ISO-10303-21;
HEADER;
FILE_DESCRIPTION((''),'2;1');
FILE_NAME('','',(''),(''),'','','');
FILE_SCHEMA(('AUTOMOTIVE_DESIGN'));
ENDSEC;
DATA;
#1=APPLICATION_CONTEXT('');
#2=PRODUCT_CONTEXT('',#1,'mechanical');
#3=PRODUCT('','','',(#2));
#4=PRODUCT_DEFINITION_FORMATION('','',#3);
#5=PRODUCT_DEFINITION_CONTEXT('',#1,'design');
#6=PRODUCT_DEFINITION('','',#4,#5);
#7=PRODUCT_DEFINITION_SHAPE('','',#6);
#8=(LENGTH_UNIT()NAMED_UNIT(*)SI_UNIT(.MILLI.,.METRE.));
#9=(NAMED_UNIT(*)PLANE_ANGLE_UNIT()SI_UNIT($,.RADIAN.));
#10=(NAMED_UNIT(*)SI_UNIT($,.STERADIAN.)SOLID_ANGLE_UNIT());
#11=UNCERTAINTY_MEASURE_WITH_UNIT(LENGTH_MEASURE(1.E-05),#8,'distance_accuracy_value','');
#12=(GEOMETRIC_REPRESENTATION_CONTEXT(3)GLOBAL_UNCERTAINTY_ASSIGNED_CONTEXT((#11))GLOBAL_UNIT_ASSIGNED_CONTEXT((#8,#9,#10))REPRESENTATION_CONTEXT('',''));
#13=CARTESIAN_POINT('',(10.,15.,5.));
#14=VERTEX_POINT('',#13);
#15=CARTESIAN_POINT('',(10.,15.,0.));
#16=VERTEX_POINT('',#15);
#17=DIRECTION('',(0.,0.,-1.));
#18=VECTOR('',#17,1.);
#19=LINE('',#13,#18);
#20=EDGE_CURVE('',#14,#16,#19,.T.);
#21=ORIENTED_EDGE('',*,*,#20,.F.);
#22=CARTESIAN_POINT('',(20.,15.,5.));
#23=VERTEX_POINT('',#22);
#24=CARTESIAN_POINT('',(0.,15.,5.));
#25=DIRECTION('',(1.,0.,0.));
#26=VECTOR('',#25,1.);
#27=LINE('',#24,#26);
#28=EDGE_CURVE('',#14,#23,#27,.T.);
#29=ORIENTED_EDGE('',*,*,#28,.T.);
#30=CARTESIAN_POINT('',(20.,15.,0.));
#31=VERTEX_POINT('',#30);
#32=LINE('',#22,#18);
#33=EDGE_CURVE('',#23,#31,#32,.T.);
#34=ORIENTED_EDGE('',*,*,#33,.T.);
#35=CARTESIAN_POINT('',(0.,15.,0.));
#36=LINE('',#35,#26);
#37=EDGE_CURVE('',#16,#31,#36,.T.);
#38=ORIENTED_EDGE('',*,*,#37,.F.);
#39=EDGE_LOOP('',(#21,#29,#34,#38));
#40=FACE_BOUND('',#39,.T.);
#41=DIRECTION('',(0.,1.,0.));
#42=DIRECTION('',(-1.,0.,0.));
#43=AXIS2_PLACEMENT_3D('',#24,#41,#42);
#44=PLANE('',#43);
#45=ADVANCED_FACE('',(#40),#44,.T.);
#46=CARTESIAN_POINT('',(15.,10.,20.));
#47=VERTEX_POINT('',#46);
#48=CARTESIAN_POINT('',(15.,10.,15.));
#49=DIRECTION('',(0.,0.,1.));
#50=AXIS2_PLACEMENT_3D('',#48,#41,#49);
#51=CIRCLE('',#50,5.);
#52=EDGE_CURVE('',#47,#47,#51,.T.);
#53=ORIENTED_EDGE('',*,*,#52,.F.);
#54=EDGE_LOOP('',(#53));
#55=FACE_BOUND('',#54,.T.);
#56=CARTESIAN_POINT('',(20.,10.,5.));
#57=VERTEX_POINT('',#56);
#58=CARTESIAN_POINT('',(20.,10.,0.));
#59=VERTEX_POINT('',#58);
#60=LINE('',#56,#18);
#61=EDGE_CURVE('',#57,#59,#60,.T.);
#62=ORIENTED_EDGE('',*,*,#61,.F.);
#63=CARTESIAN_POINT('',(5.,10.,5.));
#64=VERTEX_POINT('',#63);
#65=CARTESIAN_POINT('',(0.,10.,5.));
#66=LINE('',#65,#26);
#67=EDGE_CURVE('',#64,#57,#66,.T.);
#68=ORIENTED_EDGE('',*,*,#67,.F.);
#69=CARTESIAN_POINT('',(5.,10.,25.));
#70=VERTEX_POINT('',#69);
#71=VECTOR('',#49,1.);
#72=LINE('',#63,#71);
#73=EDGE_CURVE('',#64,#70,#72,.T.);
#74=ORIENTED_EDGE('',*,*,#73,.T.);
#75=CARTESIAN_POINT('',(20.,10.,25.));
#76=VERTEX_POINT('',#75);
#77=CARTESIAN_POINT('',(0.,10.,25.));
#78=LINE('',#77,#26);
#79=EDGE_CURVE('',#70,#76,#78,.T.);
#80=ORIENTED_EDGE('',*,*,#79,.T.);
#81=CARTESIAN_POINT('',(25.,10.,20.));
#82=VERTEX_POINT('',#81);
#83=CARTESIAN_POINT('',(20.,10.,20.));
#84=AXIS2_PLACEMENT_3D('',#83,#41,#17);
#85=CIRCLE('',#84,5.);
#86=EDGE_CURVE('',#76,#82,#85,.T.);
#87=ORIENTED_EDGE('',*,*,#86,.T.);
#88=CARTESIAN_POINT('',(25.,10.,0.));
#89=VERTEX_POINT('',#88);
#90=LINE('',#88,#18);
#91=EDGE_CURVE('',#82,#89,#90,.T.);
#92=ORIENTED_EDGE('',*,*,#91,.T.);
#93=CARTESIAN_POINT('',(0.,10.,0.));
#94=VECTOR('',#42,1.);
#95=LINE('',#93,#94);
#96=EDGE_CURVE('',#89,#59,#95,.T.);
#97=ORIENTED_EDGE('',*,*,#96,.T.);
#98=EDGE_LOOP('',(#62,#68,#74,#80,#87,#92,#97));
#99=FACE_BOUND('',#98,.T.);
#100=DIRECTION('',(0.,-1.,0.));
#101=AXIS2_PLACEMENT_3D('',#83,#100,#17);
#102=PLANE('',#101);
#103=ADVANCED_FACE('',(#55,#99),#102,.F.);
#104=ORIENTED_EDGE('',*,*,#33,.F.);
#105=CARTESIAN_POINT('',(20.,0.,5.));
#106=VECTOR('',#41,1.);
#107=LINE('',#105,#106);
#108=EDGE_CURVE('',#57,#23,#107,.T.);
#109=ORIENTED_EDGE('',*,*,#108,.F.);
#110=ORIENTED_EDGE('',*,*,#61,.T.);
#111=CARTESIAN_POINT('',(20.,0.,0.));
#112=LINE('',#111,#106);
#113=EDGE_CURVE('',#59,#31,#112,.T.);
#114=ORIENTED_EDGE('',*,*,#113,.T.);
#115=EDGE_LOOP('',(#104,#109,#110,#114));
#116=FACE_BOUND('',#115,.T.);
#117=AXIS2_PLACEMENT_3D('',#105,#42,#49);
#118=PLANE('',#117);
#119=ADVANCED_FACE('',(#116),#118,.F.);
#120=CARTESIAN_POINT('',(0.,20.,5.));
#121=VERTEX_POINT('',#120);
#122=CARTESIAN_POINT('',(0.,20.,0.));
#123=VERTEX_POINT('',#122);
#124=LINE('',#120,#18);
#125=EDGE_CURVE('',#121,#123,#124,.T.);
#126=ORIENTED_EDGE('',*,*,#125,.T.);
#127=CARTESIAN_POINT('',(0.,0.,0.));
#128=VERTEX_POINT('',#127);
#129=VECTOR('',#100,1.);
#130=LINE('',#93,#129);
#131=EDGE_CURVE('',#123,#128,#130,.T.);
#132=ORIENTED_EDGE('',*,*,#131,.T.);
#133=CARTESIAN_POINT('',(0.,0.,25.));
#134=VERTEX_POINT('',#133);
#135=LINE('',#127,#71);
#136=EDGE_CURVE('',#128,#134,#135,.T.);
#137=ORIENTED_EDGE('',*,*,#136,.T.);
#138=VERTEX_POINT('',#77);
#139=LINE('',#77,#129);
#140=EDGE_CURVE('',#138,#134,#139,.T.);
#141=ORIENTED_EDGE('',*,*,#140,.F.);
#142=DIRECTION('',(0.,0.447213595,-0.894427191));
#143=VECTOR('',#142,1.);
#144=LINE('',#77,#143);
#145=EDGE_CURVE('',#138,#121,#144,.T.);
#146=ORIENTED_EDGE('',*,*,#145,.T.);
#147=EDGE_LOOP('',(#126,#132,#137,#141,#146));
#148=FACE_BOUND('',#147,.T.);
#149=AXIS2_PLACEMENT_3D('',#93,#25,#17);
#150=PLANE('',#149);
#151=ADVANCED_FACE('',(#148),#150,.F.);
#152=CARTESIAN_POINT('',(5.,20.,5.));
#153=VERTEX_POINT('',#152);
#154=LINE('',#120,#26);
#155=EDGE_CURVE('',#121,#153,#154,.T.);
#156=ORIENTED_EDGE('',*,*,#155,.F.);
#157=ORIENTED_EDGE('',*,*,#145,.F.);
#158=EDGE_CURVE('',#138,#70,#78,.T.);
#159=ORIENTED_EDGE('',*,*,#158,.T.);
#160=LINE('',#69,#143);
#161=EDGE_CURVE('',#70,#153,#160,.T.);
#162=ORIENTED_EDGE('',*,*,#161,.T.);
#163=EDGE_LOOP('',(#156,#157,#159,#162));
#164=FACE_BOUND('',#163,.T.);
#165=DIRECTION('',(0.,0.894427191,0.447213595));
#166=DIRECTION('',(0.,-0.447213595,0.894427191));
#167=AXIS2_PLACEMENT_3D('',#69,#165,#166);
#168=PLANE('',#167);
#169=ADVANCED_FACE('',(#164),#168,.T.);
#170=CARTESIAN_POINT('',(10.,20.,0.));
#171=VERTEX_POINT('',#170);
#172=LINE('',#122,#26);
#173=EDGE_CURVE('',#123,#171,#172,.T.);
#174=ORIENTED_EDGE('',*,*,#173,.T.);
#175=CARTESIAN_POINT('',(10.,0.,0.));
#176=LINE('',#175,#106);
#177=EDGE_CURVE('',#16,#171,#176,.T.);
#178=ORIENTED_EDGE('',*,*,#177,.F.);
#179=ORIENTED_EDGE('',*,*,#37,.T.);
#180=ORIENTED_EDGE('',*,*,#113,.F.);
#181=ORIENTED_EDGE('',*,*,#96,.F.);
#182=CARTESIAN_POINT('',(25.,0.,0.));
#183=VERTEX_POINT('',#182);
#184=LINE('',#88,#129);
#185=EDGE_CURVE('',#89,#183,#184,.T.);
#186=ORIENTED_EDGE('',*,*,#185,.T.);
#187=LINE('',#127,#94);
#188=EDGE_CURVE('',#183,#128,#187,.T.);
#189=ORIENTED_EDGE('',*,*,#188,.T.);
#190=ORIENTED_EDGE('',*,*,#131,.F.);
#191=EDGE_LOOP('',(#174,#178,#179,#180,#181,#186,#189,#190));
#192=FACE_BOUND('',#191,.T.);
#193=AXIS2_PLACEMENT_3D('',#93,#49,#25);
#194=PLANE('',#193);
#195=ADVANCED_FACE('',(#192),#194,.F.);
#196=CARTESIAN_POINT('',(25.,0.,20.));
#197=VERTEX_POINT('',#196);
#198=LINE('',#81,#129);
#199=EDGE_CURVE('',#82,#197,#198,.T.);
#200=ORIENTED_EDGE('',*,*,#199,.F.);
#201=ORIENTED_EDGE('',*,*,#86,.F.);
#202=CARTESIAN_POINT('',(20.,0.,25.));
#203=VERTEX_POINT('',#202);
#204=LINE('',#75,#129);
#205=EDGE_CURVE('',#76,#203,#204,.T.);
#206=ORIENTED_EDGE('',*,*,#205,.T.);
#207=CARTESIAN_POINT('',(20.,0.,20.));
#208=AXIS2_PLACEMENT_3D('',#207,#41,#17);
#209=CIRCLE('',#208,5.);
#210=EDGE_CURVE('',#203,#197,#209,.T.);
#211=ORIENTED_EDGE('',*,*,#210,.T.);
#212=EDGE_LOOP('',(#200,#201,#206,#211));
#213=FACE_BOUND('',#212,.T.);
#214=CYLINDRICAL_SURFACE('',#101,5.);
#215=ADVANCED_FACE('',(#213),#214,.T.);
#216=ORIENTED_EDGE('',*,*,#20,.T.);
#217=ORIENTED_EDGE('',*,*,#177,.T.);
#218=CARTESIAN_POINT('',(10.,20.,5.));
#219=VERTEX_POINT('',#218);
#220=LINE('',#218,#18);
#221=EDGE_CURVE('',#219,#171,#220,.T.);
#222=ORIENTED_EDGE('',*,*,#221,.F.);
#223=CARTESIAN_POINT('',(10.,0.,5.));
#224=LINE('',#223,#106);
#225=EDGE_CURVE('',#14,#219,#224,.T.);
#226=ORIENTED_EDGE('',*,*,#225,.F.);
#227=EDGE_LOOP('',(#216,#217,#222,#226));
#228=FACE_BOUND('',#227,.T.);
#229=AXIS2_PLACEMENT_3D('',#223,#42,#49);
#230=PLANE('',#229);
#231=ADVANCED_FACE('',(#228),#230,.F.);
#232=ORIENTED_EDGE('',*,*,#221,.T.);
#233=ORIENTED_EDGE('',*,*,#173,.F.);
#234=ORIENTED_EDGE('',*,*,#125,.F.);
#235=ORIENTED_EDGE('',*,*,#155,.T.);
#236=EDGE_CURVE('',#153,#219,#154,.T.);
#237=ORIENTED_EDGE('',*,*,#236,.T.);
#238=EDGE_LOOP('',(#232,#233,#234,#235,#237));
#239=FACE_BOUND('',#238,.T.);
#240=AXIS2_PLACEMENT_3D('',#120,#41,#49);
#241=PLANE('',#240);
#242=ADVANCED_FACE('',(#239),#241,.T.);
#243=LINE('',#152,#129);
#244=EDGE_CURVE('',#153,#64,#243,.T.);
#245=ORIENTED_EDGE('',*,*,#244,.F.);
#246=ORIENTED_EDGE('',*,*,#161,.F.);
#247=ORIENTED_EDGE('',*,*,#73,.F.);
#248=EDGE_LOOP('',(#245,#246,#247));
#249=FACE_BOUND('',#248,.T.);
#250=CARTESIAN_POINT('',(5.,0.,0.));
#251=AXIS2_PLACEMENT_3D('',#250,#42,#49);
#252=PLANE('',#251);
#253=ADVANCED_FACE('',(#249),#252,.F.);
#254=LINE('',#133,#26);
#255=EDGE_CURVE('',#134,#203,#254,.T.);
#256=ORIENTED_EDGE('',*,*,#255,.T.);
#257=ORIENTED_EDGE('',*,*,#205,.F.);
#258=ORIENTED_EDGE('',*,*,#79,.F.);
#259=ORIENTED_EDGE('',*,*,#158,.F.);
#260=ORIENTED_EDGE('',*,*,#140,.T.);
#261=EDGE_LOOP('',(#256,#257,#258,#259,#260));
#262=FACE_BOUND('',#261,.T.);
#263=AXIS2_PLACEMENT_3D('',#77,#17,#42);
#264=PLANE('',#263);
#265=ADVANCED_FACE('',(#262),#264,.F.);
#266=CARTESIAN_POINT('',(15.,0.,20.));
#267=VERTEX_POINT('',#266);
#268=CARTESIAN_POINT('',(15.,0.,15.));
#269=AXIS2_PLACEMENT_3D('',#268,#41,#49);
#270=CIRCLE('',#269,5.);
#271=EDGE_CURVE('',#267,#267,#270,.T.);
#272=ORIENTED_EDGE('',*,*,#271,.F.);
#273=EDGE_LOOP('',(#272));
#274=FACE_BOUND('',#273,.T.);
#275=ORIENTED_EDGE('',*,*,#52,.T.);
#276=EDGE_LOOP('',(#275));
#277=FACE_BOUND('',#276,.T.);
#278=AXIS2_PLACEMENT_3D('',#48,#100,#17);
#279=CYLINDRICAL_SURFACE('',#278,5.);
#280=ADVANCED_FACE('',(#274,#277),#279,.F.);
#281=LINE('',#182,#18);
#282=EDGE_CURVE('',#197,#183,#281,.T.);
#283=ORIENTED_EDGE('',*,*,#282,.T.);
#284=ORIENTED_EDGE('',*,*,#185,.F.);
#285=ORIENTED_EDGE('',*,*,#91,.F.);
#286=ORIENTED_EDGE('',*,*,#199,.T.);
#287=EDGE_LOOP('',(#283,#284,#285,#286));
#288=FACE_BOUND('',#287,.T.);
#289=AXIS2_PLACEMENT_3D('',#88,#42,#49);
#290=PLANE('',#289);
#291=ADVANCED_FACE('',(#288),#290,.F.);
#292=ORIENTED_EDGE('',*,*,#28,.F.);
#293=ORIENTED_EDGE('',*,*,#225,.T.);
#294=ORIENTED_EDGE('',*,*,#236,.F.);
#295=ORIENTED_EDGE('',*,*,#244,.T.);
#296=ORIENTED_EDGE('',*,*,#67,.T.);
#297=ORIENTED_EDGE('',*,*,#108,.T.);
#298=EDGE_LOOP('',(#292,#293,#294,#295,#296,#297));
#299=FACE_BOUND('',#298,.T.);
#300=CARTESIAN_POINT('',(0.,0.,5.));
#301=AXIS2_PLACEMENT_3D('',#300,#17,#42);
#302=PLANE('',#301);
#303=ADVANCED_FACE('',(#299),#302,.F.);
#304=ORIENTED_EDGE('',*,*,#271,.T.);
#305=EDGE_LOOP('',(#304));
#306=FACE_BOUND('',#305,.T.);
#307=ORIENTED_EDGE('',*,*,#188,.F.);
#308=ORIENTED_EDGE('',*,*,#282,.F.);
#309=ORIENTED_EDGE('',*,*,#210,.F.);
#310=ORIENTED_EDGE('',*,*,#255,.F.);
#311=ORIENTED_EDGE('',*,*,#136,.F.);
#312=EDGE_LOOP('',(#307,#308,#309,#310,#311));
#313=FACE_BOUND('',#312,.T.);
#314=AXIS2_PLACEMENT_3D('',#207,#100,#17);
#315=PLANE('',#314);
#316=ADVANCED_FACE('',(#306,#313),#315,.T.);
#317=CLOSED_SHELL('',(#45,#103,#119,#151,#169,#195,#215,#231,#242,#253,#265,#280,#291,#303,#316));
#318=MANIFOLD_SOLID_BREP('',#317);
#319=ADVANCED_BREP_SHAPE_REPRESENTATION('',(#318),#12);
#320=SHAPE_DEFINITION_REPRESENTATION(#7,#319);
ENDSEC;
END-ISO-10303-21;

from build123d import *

# Parameters (mm, degrees)
SKETCH_1_R      = 5
EXTRUDE_1_DEPTH = 10
SKETCH_2_W      = 10
SKETCH_2_H      = 5
EXTRUDE_2_DEPTH = 5
EXTRUDE_3_DEPTH = 5


with BuildPart() as part:
    # 草圖1 → 填料-伸長1 (new body)
    with BuildSketch(Plane(origin=(0, 0, 0), x_dir=(1, 0, 0), z_dir=(0, 1, 0))):
        with BuildLine():
            Line((0, 0), (25, 0))
            Line((25, 0), (25, -20))
            ThreePointArc((25, -20), (23.535533906, -23.535533906), (20, -25))
            Line((20, -25), (0, -25))
            Line((0, -25), (0, 0))
        make_face()
        with Locations(Location((15, -15, 0), (0, 0, 270))):
            Circle(SKETCH_1_R, mode=Mode.SUBTRACT)
    extrude(amount=EXTRUDE_1_DEPTH)

    # 草圖2 → 填料-伸長2 (add)
    with BuildSketch(Plane(origin=(0, 0, 0), x_dir=(-1, 0, 0), z_dir=(0, 0, -1))):
        Polygon((-10, 10), (0, 10), (0, 20), (-10, 20), (-10, 15), align=None)
        with Locations((-15, 12.5)):
            Rectangle(SKETCH_2_W, SKETCH_2_H)
    extrude(amount=-EXTRUDE_2_DEPTH)

    # 草圖3 → 填料-伸長3 (add)
    with BuildSketch(Plane.ZY):
        Polygon((5, 20), (5, 10), (25, 10), align=None)
    extrude(amount=-EXTRUDE_3_DEPTH)


solid = part.part
